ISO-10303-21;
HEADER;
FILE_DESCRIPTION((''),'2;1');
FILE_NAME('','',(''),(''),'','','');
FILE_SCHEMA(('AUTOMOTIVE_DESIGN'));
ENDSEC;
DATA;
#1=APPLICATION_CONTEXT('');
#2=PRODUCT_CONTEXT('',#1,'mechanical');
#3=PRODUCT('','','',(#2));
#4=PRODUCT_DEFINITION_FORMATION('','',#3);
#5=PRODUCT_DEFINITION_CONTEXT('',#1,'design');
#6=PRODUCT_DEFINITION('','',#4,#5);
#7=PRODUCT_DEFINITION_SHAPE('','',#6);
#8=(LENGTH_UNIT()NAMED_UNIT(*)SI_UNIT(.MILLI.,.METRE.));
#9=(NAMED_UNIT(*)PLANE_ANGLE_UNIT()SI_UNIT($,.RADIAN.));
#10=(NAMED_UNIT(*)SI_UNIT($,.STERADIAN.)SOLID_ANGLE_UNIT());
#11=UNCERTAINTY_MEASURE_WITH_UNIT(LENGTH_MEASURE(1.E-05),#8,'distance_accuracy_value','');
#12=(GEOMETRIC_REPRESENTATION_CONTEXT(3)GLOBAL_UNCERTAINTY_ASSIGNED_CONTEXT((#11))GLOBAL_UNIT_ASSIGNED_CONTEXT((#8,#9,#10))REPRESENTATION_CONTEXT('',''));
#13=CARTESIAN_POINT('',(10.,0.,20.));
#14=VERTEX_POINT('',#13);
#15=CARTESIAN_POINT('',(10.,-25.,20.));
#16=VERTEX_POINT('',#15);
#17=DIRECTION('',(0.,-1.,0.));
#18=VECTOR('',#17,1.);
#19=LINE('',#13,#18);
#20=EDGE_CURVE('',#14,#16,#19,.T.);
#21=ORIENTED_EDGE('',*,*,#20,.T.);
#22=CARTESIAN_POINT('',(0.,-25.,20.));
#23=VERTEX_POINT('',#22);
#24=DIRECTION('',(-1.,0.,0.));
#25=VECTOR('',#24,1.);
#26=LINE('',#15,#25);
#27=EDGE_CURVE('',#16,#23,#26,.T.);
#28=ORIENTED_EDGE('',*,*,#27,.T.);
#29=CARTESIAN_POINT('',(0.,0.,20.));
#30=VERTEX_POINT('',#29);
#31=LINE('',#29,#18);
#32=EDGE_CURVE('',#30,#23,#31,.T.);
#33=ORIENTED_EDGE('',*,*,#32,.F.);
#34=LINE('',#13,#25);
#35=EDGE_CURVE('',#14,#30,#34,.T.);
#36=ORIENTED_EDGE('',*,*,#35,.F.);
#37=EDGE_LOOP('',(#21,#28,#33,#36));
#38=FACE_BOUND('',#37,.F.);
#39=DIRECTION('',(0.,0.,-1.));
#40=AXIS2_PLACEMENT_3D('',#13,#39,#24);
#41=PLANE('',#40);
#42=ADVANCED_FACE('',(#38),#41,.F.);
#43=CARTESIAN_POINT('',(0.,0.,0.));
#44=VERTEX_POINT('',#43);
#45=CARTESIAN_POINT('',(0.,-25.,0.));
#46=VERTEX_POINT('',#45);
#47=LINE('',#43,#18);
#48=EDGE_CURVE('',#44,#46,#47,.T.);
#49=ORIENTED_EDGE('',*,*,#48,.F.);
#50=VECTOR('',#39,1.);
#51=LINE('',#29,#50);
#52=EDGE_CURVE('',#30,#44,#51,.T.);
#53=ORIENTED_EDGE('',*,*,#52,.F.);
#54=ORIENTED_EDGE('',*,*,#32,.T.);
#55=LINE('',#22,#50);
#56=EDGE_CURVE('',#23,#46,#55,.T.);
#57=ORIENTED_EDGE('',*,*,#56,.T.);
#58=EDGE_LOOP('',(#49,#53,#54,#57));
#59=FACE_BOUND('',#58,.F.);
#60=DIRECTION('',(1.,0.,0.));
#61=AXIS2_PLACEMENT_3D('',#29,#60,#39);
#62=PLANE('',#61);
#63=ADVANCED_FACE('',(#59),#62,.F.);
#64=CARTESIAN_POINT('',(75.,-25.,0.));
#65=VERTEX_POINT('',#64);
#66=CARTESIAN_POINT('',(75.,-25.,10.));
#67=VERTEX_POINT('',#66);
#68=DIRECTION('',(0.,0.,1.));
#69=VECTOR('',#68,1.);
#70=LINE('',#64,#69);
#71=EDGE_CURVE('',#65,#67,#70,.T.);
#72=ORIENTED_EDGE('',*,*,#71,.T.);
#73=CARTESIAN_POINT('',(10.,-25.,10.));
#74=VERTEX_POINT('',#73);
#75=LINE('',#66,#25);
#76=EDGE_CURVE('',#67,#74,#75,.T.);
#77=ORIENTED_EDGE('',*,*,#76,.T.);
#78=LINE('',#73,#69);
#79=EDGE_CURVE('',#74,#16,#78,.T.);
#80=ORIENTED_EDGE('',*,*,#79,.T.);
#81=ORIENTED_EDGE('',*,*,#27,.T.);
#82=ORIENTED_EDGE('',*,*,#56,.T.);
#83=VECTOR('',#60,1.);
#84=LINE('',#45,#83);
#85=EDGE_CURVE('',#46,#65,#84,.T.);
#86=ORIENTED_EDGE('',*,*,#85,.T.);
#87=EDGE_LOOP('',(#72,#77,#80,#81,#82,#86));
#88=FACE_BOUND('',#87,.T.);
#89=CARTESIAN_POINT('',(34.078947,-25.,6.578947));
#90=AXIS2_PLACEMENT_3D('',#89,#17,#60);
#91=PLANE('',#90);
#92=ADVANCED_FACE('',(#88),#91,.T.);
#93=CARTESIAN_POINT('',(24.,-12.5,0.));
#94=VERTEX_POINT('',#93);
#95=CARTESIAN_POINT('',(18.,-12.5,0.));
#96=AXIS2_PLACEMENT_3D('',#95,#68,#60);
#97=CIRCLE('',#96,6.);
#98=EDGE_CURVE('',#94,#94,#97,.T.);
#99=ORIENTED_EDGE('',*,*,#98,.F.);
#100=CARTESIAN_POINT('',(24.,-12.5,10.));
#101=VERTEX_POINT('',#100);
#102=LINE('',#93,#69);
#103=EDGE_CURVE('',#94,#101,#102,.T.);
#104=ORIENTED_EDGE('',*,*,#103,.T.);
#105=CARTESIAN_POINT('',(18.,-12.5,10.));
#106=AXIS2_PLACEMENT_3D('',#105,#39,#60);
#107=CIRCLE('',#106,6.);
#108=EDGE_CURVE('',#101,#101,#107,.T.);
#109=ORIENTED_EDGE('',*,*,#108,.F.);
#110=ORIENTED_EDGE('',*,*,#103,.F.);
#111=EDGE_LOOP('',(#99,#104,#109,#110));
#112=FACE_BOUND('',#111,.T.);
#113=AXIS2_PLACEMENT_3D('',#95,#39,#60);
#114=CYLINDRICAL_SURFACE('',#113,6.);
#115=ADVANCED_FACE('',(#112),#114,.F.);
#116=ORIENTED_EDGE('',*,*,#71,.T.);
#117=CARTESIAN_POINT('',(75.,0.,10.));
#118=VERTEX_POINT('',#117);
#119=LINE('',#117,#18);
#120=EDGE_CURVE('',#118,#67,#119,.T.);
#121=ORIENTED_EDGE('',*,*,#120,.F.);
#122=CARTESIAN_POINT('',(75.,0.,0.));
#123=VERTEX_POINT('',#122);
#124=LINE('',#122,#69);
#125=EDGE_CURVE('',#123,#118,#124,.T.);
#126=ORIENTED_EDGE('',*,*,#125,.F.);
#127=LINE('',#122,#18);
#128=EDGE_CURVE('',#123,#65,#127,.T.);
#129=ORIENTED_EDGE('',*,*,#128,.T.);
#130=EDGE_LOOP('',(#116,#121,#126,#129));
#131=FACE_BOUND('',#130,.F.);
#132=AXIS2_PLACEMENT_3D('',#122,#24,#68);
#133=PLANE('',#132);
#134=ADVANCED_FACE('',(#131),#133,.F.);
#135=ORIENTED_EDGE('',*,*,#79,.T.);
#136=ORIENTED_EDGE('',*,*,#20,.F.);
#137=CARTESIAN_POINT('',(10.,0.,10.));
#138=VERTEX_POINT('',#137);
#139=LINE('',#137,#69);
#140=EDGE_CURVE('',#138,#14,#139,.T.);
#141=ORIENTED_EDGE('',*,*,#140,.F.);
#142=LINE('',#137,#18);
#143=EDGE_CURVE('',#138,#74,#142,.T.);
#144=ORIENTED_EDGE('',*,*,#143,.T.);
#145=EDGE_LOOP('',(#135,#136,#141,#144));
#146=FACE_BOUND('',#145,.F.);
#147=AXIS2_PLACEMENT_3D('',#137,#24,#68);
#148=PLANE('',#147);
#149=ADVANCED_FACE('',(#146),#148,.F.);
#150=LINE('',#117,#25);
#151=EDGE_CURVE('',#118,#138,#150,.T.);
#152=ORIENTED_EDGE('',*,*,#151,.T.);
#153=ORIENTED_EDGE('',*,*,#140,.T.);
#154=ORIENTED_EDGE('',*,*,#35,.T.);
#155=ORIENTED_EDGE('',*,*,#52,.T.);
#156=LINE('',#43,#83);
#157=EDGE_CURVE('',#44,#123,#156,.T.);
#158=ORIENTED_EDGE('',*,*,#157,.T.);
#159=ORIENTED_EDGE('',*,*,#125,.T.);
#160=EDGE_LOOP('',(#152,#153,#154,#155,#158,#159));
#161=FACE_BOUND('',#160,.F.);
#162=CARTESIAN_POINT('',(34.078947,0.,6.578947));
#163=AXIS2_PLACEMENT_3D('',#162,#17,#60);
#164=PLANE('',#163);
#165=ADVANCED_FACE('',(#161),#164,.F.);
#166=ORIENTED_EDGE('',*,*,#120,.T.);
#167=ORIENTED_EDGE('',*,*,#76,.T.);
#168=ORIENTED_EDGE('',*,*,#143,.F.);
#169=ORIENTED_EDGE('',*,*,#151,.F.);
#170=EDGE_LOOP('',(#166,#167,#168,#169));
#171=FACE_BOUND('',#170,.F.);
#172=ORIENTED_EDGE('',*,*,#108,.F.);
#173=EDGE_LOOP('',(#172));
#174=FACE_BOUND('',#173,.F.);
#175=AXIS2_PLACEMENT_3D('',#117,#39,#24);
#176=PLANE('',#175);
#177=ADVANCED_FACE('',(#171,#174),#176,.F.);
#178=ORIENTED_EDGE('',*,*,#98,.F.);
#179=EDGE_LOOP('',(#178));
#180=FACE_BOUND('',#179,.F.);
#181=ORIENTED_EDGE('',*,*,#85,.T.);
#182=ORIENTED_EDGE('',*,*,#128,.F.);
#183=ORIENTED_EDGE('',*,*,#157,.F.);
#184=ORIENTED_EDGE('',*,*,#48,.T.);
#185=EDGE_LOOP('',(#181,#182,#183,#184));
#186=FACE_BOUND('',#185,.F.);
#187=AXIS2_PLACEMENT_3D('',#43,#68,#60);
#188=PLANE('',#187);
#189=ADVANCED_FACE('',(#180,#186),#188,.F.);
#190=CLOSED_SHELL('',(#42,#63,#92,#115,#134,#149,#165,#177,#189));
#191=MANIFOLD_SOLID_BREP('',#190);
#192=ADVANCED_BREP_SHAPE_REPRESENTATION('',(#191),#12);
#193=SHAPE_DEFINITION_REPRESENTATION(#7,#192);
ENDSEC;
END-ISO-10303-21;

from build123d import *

# Parameters (mm, degrees)
F1_DEPTH = 25
F2_R     = 6
F3_DEPTH = 20.001


with BuildPart() as f1:
    # F0 (on Front) → F1 (new body)
    with BuildSketch(Plane.XZ):
        Polygon((0, 20), (0, 0), (75, 0), (75, 10), (10, 10), (10, 20), align=None)
    extrude(amount=F1_DEPTH)

    # F2 (on Top) → F3 (cut, through all)
    with BuildSketch(Plane.XY):
        with Locations((18, -12.5)):
            Circle(F2_R)
    extrude(amount=F3_DEPTH, mode=Mode.SUBTRACT)


solid = f1.part
